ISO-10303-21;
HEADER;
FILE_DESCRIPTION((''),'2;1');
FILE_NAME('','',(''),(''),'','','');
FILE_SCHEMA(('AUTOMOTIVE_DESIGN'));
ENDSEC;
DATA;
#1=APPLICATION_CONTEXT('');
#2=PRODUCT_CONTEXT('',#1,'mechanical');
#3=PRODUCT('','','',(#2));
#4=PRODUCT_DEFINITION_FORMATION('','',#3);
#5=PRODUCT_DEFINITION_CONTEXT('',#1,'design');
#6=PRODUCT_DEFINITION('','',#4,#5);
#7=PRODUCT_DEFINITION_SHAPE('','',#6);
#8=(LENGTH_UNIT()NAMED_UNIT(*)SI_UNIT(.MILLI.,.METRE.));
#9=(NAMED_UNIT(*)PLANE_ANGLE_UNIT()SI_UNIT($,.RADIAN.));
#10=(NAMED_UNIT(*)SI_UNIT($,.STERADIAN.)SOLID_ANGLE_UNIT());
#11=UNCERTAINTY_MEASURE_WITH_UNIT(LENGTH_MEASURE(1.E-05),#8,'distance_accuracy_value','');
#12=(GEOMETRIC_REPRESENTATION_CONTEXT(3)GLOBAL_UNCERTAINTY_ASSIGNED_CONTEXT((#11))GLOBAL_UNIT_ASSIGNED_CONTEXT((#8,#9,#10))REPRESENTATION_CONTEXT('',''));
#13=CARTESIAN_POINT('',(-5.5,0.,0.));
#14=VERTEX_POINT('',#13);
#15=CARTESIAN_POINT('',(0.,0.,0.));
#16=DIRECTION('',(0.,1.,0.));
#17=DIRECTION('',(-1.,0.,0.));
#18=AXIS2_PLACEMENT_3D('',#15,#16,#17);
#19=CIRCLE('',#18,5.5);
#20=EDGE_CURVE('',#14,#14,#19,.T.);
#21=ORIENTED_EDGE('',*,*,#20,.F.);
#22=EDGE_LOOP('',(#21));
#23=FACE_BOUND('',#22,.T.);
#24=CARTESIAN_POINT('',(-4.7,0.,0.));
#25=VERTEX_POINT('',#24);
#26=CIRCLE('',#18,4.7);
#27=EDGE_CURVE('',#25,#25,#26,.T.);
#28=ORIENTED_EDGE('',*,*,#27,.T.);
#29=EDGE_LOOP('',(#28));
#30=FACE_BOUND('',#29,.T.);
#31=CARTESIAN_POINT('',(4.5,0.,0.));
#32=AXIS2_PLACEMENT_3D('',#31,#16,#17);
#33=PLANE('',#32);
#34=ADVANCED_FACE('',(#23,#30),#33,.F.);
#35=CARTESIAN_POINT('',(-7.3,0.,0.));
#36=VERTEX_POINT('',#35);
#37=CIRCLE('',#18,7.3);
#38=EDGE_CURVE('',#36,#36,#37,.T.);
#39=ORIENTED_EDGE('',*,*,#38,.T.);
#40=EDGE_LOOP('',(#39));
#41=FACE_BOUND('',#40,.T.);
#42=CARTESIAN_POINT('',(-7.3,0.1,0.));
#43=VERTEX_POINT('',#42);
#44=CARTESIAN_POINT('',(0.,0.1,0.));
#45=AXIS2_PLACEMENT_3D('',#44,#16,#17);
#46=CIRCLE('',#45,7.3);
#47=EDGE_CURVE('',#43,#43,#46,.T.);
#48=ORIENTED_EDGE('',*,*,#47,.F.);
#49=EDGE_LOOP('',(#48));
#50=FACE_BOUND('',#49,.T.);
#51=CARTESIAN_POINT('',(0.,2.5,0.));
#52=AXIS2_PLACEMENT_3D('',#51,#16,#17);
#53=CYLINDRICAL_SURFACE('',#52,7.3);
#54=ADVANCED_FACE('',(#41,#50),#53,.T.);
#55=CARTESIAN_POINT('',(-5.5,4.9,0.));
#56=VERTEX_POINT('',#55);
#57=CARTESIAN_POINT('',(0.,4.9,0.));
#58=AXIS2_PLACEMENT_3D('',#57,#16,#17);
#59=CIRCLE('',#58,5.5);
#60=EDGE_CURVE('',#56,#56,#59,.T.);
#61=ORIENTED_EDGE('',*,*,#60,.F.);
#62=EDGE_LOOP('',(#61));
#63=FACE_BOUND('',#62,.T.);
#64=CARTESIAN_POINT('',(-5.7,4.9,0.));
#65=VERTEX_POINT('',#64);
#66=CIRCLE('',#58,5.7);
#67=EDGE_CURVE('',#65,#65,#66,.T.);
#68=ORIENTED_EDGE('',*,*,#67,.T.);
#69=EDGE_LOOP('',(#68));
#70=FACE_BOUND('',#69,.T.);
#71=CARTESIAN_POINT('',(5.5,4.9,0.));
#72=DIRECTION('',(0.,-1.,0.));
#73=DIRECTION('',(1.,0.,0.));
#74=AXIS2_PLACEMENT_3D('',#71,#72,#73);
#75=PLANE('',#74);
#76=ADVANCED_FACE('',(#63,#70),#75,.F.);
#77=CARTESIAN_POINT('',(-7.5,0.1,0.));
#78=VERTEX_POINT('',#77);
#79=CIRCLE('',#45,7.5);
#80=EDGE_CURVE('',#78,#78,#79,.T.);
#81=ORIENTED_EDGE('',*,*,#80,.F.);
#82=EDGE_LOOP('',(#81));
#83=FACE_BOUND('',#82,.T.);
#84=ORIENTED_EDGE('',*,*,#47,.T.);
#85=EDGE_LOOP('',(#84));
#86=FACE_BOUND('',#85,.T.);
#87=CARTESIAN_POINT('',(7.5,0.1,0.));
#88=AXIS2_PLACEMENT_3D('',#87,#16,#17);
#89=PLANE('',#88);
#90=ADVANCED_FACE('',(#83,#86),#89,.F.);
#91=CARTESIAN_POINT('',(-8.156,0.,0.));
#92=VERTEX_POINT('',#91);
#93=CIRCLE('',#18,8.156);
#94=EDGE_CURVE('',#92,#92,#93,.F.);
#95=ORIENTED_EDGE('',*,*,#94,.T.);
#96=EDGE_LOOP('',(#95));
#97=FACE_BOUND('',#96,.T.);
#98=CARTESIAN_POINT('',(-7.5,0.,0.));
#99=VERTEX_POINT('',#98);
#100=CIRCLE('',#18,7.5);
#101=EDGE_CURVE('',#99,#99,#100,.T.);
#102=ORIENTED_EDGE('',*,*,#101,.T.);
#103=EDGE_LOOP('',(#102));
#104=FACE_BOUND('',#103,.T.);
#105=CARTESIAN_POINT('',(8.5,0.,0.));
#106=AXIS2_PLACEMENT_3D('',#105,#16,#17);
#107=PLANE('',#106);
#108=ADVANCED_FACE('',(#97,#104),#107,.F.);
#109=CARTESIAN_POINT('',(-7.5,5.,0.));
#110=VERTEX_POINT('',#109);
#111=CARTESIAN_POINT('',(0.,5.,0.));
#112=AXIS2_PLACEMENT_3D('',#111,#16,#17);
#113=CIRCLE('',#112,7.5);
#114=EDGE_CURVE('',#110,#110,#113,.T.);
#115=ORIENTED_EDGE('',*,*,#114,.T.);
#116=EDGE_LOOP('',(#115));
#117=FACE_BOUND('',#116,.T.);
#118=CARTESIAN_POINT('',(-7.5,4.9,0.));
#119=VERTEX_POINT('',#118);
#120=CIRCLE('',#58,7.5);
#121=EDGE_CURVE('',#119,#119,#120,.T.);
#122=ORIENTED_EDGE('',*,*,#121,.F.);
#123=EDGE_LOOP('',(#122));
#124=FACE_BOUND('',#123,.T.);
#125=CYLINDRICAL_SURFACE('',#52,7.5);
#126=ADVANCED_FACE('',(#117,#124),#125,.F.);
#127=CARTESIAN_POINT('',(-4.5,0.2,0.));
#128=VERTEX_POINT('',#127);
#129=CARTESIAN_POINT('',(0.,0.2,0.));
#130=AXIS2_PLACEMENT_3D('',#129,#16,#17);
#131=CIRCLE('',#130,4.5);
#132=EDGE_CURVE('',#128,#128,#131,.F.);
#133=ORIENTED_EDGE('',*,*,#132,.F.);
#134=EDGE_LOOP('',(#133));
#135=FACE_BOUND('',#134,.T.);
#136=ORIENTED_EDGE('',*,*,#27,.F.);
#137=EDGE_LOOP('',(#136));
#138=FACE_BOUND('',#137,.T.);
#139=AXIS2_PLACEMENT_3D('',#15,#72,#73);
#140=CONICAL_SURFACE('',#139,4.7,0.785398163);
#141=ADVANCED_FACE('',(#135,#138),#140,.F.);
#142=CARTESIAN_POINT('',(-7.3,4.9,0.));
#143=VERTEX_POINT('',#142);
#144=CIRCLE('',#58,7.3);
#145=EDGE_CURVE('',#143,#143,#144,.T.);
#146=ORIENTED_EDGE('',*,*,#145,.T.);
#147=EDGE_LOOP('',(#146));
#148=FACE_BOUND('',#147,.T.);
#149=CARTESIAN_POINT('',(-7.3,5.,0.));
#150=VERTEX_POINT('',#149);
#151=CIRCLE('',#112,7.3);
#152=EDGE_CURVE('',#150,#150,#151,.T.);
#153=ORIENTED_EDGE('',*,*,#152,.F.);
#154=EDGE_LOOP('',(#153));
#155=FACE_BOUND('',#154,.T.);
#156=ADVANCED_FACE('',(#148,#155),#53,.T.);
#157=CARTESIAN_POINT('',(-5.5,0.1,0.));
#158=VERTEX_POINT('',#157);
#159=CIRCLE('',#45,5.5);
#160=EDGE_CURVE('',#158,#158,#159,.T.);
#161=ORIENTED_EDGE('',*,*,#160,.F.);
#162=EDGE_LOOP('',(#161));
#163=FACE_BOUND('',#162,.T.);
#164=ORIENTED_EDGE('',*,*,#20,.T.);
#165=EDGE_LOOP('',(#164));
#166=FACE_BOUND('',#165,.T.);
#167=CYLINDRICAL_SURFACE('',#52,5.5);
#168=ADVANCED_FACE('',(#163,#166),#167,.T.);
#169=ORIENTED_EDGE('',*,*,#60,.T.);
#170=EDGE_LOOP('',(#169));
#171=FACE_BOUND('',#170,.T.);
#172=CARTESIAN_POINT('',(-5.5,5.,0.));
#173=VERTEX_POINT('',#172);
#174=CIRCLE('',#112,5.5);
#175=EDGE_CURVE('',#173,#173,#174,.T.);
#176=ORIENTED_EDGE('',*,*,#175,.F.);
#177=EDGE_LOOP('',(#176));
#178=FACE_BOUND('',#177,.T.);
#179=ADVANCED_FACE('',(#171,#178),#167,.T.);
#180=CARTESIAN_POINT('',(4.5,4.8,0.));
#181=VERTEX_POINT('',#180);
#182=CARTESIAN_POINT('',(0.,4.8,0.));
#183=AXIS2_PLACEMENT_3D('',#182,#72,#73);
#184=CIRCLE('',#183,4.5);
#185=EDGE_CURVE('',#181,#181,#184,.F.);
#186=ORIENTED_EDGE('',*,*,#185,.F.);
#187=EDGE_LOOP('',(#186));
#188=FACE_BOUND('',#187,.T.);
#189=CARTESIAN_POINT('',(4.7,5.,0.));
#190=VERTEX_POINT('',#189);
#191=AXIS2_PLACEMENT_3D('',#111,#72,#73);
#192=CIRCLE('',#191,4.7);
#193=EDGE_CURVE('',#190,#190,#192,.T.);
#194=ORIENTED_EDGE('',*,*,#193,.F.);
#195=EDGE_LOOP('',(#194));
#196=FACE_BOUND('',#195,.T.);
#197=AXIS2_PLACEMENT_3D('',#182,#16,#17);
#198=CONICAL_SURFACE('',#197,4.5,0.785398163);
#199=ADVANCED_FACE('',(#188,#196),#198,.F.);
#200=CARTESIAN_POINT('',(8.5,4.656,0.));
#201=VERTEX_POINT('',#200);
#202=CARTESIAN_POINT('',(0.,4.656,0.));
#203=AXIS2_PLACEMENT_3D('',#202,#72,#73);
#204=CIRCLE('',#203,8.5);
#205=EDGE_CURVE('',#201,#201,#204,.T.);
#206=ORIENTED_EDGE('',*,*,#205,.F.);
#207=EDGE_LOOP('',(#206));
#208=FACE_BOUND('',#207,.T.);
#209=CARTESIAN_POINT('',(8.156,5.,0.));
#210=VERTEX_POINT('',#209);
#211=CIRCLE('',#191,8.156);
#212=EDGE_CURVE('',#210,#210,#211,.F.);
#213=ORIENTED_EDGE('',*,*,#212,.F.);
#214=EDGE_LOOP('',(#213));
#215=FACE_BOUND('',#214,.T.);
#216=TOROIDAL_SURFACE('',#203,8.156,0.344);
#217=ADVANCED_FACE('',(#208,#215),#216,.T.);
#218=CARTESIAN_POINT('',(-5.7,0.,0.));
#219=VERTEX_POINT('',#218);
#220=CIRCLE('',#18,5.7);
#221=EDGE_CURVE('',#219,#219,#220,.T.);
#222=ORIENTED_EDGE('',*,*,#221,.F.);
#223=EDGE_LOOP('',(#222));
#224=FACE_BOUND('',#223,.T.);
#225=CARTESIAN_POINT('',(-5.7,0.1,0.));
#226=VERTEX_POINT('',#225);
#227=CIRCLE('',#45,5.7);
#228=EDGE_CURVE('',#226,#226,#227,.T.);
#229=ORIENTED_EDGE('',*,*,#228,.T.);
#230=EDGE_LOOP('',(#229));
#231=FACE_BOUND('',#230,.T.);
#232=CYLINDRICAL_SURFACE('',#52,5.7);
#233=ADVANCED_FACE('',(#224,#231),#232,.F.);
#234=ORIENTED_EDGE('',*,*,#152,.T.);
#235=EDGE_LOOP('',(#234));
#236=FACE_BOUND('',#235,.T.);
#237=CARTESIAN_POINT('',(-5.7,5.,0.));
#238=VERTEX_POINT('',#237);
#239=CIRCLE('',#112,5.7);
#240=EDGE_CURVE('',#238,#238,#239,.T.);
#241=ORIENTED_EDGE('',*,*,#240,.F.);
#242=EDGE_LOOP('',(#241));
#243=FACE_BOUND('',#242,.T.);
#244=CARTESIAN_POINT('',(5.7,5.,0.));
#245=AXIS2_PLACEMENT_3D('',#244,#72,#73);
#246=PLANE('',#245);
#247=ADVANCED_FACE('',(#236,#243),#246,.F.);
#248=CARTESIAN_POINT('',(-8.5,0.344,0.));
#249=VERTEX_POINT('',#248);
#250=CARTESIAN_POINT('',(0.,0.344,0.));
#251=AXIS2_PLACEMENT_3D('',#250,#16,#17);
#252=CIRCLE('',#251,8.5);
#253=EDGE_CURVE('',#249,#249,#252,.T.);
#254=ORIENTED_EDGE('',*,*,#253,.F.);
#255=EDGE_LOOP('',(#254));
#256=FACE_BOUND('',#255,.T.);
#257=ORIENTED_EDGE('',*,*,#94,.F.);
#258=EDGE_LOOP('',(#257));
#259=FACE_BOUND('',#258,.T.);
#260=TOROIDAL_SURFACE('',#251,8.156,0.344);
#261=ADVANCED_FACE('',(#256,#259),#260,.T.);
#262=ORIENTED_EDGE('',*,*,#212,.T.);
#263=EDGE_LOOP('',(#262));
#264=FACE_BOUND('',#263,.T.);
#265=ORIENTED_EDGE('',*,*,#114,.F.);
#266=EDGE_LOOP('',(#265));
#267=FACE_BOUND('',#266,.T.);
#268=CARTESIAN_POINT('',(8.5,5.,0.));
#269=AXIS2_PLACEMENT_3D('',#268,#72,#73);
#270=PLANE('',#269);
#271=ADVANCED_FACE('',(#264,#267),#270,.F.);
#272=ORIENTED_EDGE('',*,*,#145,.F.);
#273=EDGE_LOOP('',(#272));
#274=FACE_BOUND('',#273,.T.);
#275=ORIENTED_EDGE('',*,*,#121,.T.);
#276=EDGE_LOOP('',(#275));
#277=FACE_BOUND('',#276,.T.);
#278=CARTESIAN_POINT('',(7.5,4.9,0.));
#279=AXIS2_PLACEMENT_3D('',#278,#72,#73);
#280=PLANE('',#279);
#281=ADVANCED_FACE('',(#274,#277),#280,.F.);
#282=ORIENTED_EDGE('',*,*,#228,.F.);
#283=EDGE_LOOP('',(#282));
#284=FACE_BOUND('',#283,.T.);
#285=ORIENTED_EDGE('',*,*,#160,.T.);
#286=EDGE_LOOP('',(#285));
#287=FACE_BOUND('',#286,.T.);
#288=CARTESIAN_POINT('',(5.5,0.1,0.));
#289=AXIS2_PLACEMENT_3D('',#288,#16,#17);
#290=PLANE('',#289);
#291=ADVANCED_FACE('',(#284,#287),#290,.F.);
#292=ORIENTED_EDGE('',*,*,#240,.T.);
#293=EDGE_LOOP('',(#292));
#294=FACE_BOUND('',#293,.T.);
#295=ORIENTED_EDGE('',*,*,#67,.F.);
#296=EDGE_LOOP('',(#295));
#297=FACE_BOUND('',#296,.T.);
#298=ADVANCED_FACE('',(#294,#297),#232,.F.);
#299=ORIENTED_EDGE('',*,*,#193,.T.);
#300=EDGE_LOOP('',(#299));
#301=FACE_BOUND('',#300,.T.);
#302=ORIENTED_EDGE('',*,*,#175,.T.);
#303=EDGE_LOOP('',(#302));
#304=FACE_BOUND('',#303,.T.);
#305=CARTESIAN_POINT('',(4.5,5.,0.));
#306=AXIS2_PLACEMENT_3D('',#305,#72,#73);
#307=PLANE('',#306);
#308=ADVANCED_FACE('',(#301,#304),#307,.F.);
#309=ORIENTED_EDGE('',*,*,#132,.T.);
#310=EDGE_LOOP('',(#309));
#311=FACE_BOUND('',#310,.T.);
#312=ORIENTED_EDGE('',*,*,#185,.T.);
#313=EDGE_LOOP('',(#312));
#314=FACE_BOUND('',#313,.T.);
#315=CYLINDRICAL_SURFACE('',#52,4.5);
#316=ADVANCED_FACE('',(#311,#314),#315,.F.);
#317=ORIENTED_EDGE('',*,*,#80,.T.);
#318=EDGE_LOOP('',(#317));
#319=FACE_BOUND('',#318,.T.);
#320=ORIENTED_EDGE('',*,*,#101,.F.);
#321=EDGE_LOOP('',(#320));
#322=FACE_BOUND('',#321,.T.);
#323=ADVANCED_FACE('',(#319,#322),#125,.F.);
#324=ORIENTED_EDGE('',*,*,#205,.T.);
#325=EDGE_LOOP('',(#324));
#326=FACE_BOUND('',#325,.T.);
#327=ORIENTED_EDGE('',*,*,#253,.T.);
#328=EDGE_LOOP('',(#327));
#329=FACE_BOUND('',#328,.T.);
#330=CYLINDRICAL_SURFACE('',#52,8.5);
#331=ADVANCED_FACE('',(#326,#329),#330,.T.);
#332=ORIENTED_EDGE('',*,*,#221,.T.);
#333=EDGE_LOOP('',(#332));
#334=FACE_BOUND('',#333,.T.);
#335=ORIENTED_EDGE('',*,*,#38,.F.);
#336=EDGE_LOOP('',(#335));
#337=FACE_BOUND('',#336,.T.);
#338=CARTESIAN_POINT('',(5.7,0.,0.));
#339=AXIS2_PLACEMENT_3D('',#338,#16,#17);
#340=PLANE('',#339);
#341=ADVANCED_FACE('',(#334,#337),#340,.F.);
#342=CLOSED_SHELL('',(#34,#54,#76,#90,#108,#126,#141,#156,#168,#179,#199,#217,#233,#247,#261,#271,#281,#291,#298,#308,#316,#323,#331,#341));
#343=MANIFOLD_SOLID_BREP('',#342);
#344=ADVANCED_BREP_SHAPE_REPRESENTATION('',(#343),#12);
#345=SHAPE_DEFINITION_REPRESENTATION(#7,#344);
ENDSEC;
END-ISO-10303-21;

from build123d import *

# Parameters (mm, degrees)
FILLET2_R     = 0.344
CHAMFER2_SIZE = 0.2


with BuildPart() as part:
    # Sketch1 → Revolve1 (revolve)
    with BuildSketch(Plane.XY, mode=Mode.PRIVATE) as revolve1_sk:
        Polygon((8.5, 0), (8.5, 5), (7.5, 5), (7.5, 4.9), (7.3, 4.9), (7.3, 5), (5.7, 5), (5.7, 4.9), (5.5, 4.9), (5.5, 5), (4.5, 5), (4.5, 0), (5.5, 0), (5.5, 0.1), (5.7, 0.1), (5.7, 0), (7.3, 0), (7.3, 0.1), (7.5, 0.1), (7.5, 0), align=None)
    revolve(revolve1_sk.sketch.rotate(Axis((0, 2.5, 0), (0, -1, 0)), 180), axis=Axis((0, 2.5, 0), (0, -1, 0)))

    # Fillet2
    fillet2_edges = [part.edges().sort_by_distance(p)[0] for p in [
        (8.5, 0, 0),
        (8.5, 5, 0),
    ]]
    fillet(fillet2_edges, radius=FILLET2_R)

    # Chamfer2
    chamfer2_edges = [part.edges().sort_by_distance(p)[0] for p in [
        (4.5, 5, 0),
        (4.5, 0, 0),
    ]]
    chamfer(chamfer2_edges, length=CHAMFER2_SIZE)


solid = part.part
